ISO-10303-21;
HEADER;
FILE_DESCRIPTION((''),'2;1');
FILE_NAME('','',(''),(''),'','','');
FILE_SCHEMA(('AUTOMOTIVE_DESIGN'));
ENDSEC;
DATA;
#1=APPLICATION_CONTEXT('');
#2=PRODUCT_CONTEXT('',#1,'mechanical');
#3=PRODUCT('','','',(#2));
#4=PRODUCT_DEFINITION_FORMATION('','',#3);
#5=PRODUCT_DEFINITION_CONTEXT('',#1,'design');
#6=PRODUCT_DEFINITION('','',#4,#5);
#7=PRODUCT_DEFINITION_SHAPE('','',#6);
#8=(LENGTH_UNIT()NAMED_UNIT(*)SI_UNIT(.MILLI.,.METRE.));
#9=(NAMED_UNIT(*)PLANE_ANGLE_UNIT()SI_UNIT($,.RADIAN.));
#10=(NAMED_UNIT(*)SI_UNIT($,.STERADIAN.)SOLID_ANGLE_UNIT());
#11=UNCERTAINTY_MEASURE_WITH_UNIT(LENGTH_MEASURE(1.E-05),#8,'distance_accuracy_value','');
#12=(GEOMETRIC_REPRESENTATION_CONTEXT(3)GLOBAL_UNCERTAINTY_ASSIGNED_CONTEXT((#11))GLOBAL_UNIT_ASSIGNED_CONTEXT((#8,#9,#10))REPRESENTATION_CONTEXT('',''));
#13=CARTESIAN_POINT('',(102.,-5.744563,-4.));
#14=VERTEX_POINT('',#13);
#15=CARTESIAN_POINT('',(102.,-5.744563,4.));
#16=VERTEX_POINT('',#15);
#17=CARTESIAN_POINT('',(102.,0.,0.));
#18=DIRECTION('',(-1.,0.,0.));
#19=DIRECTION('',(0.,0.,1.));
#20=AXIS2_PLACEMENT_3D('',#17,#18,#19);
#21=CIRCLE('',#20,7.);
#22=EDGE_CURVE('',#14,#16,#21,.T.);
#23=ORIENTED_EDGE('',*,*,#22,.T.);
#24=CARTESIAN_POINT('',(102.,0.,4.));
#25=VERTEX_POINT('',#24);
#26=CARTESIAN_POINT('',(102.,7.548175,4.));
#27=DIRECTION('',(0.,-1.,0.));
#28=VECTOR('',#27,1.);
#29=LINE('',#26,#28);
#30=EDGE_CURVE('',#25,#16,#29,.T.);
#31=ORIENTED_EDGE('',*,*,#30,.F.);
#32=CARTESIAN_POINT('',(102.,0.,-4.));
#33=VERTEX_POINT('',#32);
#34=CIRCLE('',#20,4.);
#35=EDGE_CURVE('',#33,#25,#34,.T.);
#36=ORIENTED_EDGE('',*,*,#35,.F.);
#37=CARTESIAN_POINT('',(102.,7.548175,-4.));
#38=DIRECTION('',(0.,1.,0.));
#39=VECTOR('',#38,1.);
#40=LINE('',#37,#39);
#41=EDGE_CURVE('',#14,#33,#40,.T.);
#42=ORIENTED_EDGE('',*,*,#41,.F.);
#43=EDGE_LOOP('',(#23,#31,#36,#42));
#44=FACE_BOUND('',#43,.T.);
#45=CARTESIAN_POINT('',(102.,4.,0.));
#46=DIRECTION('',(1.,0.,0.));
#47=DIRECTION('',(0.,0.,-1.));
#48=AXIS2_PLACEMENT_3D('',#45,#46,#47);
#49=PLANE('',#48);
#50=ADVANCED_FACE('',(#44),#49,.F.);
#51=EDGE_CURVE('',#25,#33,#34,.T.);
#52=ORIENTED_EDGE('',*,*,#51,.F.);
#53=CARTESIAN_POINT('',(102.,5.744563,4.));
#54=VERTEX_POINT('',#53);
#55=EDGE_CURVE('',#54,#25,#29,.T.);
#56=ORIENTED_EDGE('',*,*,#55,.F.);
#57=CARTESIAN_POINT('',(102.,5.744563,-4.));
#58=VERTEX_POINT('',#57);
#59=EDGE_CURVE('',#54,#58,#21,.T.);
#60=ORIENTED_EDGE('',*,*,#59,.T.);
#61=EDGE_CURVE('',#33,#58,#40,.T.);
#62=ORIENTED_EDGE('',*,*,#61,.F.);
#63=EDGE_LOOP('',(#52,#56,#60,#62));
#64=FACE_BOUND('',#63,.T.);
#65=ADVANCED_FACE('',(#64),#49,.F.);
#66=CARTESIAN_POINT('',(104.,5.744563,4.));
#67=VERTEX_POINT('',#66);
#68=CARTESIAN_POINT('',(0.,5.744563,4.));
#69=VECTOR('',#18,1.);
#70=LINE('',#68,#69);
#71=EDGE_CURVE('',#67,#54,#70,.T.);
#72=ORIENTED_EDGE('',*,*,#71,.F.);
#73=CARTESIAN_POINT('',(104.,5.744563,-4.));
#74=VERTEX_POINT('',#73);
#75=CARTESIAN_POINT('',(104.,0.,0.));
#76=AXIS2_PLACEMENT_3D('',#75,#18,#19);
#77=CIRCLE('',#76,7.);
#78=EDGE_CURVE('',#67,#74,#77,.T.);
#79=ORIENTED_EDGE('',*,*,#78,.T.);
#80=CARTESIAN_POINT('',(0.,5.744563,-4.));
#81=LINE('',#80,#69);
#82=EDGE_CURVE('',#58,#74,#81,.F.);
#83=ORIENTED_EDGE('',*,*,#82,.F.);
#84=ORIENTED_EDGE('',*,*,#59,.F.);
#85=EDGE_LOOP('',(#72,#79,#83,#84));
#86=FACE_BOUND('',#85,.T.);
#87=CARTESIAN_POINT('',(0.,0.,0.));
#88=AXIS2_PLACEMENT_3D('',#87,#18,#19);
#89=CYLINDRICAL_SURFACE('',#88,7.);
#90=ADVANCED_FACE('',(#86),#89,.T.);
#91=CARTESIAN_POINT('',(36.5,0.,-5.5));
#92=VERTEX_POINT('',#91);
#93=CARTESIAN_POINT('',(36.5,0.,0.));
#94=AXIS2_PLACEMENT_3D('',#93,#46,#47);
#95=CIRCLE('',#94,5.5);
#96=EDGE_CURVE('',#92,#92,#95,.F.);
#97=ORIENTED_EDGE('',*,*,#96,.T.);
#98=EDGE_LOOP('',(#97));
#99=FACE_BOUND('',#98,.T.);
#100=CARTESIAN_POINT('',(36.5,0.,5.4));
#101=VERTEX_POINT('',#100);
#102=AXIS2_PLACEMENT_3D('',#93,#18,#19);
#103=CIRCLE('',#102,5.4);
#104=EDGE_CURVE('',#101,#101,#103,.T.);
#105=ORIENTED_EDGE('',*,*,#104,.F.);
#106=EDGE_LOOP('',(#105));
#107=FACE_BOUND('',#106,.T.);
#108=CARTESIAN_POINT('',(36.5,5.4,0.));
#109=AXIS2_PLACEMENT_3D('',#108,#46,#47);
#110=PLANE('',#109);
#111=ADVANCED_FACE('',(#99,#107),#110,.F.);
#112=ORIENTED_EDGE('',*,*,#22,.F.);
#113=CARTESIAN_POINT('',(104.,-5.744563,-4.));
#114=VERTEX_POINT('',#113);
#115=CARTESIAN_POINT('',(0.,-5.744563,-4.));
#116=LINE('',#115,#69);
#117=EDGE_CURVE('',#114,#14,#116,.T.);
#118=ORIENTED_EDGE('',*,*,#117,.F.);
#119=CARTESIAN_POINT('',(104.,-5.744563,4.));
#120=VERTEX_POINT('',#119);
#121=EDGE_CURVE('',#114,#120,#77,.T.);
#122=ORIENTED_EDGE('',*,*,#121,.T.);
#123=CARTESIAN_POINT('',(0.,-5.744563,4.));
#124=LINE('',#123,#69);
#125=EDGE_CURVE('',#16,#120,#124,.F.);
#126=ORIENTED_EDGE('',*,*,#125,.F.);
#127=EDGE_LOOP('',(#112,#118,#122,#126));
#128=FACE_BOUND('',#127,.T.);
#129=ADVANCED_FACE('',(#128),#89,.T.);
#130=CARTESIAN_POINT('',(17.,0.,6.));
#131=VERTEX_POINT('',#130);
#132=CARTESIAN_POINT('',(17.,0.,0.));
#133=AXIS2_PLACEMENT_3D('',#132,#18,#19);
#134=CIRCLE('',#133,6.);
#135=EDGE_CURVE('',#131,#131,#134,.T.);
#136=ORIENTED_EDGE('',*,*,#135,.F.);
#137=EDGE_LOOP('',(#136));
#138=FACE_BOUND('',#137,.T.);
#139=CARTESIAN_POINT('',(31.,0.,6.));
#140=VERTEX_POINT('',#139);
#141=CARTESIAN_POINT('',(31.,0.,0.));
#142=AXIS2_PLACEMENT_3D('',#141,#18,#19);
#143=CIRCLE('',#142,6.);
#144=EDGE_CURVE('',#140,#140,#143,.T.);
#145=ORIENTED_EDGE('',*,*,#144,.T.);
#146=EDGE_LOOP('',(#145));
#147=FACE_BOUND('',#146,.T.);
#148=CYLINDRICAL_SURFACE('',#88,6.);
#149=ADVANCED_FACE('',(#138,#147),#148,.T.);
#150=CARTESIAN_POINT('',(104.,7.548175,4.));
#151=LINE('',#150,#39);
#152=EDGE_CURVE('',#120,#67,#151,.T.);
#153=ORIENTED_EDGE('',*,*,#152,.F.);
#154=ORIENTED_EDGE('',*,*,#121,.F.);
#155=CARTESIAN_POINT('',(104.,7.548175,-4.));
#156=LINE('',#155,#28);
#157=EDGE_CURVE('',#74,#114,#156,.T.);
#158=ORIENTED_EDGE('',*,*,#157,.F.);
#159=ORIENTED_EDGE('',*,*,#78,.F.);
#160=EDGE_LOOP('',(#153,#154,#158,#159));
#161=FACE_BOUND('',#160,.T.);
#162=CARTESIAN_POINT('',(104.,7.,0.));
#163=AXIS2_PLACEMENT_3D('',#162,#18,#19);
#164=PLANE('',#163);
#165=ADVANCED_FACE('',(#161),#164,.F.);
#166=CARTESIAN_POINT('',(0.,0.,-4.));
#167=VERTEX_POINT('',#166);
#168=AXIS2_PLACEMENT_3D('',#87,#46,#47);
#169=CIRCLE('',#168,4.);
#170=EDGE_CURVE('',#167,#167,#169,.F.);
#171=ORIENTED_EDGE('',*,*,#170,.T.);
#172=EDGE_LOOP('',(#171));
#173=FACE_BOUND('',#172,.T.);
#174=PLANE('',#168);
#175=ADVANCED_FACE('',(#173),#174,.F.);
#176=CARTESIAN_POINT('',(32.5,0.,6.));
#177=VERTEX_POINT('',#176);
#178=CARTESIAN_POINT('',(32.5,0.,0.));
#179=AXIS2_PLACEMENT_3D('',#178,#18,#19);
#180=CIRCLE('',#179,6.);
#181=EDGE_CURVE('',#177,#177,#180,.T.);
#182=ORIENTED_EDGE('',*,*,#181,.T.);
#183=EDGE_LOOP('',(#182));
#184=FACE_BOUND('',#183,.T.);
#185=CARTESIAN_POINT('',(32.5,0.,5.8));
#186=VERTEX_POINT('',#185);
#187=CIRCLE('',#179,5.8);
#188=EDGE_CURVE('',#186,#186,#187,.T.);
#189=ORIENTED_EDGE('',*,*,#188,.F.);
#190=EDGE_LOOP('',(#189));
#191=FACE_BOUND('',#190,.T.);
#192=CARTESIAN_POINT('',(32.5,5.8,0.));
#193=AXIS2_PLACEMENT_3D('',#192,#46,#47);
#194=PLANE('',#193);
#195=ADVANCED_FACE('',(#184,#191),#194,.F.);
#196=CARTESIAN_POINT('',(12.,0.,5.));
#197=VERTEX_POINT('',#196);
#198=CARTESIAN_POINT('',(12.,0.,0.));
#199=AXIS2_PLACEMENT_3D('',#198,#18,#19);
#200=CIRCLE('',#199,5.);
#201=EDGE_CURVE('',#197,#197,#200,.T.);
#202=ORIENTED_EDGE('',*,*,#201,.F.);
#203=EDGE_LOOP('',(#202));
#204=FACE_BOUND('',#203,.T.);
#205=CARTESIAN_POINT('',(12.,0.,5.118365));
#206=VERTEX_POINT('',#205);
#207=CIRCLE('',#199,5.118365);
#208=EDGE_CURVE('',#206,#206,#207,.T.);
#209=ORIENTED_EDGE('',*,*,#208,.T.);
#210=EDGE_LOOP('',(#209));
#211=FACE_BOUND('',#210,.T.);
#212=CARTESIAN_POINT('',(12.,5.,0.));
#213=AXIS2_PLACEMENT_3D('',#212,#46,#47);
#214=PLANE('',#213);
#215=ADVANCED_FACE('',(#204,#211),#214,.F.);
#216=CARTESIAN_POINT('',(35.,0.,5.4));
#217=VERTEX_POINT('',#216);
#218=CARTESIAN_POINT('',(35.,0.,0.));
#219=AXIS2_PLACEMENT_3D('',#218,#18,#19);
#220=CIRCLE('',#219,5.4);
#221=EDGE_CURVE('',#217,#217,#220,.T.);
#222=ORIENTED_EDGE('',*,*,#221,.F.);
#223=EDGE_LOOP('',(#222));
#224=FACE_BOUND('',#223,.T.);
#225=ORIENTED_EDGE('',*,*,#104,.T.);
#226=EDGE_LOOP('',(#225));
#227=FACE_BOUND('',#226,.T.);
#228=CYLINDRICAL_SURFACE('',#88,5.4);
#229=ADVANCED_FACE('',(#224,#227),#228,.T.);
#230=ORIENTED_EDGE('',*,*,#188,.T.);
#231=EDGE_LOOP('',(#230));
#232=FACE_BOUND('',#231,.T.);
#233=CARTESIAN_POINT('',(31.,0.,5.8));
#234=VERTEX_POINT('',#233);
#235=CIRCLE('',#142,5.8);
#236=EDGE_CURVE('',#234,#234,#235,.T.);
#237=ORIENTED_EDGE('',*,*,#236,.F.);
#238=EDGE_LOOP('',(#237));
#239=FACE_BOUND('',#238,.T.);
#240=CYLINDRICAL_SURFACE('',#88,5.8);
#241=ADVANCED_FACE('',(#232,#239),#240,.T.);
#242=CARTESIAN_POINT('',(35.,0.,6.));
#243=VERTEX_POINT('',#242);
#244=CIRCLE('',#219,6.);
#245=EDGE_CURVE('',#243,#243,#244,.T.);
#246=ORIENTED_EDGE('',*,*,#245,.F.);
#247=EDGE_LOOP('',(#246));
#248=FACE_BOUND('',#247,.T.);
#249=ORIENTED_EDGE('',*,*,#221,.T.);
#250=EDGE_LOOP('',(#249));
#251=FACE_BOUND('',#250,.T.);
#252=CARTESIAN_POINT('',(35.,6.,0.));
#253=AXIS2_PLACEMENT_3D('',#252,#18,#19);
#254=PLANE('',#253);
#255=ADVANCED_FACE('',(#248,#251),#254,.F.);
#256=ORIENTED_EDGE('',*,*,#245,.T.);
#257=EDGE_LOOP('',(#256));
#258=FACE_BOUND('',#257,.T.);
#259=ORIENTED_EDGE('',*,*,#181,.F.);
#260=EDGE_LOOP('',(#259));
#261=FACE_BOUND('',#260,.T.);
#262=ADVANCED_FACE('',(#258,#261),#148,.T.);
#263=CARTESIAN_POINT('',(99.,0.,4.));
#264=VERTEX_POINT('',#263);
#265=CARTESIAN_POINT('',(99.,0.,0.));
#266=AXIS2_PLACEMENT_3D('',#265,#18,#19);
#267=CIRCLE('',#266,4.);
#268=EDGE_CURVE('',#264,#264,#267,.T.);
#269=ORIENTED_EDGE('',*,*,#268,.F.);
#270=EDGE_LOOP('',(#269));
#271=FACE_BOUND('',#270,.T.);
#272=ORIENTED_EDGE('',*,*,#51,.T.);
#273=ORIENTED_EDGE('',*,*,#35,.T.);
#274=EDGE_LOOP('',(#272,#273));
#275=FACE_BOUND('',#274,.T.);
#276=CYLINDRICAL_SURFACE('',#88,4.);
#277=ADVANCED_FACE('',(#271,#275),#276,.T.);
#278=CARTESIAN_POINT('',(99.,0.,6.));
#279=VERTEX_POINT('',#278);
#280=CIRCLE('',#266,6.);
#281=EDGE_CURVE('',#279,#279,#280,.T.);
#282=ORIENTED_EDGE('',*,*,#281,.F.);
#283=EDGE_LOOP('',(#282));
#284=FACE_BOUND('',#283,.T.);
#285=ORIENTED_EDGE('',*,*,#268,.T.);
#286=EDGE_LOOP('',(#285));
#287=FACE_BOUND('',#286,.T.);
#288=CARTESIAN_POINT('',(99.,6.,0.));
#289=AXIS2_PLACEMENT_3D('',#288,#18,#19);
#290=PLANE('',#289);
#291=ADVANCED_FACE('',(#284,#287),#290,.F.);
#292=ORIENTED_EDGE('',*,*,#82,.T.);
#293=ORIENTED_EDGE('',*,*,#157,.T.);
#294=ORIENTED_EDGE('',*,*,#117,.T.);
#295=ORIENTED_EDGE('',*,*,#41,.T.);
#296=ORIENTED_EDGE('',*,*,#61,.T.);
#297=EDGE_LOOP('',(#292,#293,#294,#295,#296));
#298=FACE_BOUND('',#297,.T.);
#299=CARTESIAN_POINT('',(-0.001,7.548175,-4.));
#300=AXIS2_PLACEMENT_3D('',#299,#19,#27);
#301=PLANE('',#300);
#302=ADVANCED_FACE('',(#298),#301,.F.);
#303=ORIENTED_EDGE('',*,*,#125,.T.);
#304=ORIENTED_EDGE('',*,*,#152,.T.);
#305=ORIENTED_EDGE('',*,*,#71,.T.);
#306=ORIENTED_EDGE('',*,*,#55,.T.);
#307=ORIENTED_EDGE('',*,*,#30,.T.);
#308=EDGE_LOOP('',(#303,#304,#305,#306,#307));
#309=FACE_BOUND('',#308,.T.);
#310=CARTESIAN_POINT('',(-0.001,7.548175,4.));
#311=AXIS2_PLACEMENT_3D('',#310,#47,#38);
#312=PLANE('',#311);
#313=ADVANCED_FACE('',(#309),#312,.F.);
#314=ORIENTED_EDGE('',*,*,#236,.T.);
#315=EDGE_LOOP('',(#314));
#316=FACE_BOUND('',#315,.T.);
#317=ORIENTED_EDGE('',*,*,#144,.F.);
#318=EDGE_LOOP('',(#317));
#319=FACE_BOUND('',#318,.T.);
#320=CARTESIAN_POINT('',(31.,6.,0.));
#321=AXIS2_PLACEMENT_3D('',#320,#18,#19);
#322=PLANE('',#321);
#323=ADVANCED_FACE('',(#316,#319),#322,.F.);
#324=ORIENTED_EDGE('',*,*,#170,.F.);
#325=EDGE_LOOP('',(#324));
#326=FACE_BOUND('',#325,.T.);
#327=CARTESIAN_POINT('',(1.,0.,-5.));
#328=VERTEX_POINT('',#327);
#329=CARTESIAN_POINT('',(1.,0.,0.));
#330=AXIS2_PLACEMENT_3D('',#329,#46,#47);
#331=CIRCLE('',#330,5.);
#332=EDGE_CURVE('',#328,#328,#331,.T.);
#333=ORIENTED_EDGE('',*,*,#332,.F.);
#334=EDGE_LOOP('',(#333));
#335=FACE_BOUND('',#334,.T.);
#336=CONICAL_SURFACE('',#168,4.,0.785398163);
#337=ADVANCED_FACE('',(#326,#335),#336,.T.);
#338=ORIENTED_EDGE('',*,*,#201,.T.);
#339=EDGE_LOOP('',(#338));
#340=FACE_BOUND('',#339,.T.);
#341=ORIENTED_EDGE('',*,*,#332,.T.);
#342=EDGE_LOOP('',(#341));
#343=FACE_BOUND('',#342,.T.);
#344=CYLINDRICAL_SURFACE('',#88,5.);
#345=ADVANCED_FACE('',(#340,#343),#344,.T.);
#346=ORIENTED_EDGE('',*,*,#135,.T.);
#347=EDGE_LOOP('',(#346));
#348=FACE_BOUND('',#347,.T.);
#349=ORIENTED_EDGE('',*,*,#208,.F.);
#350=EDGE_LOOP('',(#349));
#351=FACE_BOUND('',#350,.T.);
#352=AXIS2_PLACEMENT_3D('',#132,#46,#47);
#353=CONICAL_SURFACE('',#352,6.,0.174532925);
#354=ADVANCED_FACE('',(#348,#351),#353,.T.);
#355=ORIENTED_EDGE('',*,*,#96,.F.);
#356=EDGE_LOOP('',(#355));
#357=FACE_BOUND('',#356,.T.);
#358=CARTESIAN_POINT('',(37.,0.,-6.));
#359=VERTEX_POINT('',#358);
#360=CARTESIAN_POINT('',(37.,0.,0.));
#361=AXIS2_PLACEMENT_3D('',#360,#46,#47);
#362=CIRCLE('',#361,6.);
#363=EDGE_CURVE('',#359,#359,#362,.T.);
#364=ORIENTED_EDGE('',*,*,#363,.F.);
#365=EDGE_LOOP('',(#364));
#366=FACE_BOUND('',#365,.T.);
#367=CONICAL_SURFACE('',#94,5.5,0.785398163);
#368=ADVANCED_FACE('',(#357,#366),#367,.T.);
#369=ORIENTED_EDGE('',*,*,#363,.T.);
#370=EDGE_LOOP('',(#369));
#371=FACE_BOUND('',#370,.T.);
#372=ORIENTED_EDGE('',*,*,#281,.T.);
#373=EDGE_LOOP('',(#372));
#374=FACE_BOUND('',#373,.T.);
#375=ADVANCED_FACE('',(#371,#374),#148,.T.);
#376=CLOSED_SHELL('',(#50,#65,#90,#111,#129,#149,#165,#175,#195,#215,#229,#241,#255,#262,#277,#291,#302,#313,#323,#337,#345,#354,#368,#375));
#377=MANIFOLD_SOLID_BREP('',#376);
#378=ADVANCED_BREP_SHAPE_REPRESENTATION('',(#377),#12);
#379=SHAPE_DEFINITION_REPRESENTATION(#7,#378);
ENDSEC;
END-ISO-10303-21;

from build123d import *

# Parameters (mm, degrees)
CHANFREIN1_SIZE         = 1
CHANFREIN2_SIZE         = 0.5
ENL_V_MAT_EXTRU_1_REACH = 106.47
ESQUISSE2_W             = 5.137351374
ESQUISSE2_H             = 15.268552686


with BuildPart() as part:
    # Esquisse1 → Révolution1 (revolve)
    with BuildSketch(Plane.XY, mode=Mode.PRIVATE) as r_volution1_sk:
        Polygon((0, 0), (0, 5), (12, 5), (12, 5.118365096), (17, 6), (31, 6), (31, 5.8), (32.5, 5.8), (32.5, 6), (35, 6), (35, 5.4), (36.5, 5.4), (36.5, 6), (99, 6), (99, 4), (102, 4), (102, 7), (104, 7), (104, 0), (103.330760558, 0), align=None)
    revolve(r_volution1_sk.sketch.rotate(Axis((0, 0, 0), (1, 0, 0)), 90), axis=Axis((0, 0, 0), (1, 0, 0)))

    # Chanfrein1
    chanfrein1_edges = [part.edges().sort_by_distance(p)[0] for p in [
        (0, 0, -5),
    ]]
    chamfer(chanfrein1_edges, length=CHANFREIN1_SIZE)

    # Chanfrein2
    chanfrein2_edges = [part.edges().sort_by_distance(p)[0] for p in [
        (36.5, 0, -6),
    ]]
    chamfer(chanfrein2_edges, length=CHANFREIN2_SIZE)

    # Esquisse2 → Enlèv. mat.-Extru.1 (cut, up to next)
    with BuildSketch(Plane(origin=(104, 0, 0), x_dir=(0, 0, -1), z_dir=(1, 0, 0)), mode=Mode.PRIVATE) as enl_v_mat_extru_1_sk1:
        with Locations((-6.568675687, -0.086100861)):
            Rectangle(ESQUISSE2_W, ESQUISSE2_H)
    enl_v_mat_extru_1_tool1 = extrude(enl_v_mat_extru_1_sk1.sketch, amount=-ENL_V_MAT_EXTRU_1_REACH, mode=Mode.PRIVATE) & part.part
    # Esquisse2 → Enlèv. mat.-Extru.1 (cut, up to next)
    with BuildSketch(Plane(origin=(104, 0, 0), x_dir=(0, 0, -1), z_dir=(1, 0, 0)), mode=Mode.PRIVATE) as enl_v_mat_extru_1_sk2:
        with Locations((6.568675687, -0.086100861)):
            Rectangle(ESQUISSE2_W, ESQUISSE2_H)
    enl_v_mat_extru_1_tool2 = extrude(enl_v_mat_extru_1_sk2.sketch, amount=-ENL_V_MAT_EXTRU_1_REACH, mode=Mode.PRIVATE) & part.part
    add(enl_v_mat_extru_1_tool1.solids().sort_by_distance((104, -0.086101, 6.568676))[0], mode=Mode.SUBTRACT)
    add(enl_v_mat_extru_1_tool2.solids().sort_by_distance((104, -0.086101, -6.568676))[0], mode=Mode.SUBTRACT)


solid = part.part
